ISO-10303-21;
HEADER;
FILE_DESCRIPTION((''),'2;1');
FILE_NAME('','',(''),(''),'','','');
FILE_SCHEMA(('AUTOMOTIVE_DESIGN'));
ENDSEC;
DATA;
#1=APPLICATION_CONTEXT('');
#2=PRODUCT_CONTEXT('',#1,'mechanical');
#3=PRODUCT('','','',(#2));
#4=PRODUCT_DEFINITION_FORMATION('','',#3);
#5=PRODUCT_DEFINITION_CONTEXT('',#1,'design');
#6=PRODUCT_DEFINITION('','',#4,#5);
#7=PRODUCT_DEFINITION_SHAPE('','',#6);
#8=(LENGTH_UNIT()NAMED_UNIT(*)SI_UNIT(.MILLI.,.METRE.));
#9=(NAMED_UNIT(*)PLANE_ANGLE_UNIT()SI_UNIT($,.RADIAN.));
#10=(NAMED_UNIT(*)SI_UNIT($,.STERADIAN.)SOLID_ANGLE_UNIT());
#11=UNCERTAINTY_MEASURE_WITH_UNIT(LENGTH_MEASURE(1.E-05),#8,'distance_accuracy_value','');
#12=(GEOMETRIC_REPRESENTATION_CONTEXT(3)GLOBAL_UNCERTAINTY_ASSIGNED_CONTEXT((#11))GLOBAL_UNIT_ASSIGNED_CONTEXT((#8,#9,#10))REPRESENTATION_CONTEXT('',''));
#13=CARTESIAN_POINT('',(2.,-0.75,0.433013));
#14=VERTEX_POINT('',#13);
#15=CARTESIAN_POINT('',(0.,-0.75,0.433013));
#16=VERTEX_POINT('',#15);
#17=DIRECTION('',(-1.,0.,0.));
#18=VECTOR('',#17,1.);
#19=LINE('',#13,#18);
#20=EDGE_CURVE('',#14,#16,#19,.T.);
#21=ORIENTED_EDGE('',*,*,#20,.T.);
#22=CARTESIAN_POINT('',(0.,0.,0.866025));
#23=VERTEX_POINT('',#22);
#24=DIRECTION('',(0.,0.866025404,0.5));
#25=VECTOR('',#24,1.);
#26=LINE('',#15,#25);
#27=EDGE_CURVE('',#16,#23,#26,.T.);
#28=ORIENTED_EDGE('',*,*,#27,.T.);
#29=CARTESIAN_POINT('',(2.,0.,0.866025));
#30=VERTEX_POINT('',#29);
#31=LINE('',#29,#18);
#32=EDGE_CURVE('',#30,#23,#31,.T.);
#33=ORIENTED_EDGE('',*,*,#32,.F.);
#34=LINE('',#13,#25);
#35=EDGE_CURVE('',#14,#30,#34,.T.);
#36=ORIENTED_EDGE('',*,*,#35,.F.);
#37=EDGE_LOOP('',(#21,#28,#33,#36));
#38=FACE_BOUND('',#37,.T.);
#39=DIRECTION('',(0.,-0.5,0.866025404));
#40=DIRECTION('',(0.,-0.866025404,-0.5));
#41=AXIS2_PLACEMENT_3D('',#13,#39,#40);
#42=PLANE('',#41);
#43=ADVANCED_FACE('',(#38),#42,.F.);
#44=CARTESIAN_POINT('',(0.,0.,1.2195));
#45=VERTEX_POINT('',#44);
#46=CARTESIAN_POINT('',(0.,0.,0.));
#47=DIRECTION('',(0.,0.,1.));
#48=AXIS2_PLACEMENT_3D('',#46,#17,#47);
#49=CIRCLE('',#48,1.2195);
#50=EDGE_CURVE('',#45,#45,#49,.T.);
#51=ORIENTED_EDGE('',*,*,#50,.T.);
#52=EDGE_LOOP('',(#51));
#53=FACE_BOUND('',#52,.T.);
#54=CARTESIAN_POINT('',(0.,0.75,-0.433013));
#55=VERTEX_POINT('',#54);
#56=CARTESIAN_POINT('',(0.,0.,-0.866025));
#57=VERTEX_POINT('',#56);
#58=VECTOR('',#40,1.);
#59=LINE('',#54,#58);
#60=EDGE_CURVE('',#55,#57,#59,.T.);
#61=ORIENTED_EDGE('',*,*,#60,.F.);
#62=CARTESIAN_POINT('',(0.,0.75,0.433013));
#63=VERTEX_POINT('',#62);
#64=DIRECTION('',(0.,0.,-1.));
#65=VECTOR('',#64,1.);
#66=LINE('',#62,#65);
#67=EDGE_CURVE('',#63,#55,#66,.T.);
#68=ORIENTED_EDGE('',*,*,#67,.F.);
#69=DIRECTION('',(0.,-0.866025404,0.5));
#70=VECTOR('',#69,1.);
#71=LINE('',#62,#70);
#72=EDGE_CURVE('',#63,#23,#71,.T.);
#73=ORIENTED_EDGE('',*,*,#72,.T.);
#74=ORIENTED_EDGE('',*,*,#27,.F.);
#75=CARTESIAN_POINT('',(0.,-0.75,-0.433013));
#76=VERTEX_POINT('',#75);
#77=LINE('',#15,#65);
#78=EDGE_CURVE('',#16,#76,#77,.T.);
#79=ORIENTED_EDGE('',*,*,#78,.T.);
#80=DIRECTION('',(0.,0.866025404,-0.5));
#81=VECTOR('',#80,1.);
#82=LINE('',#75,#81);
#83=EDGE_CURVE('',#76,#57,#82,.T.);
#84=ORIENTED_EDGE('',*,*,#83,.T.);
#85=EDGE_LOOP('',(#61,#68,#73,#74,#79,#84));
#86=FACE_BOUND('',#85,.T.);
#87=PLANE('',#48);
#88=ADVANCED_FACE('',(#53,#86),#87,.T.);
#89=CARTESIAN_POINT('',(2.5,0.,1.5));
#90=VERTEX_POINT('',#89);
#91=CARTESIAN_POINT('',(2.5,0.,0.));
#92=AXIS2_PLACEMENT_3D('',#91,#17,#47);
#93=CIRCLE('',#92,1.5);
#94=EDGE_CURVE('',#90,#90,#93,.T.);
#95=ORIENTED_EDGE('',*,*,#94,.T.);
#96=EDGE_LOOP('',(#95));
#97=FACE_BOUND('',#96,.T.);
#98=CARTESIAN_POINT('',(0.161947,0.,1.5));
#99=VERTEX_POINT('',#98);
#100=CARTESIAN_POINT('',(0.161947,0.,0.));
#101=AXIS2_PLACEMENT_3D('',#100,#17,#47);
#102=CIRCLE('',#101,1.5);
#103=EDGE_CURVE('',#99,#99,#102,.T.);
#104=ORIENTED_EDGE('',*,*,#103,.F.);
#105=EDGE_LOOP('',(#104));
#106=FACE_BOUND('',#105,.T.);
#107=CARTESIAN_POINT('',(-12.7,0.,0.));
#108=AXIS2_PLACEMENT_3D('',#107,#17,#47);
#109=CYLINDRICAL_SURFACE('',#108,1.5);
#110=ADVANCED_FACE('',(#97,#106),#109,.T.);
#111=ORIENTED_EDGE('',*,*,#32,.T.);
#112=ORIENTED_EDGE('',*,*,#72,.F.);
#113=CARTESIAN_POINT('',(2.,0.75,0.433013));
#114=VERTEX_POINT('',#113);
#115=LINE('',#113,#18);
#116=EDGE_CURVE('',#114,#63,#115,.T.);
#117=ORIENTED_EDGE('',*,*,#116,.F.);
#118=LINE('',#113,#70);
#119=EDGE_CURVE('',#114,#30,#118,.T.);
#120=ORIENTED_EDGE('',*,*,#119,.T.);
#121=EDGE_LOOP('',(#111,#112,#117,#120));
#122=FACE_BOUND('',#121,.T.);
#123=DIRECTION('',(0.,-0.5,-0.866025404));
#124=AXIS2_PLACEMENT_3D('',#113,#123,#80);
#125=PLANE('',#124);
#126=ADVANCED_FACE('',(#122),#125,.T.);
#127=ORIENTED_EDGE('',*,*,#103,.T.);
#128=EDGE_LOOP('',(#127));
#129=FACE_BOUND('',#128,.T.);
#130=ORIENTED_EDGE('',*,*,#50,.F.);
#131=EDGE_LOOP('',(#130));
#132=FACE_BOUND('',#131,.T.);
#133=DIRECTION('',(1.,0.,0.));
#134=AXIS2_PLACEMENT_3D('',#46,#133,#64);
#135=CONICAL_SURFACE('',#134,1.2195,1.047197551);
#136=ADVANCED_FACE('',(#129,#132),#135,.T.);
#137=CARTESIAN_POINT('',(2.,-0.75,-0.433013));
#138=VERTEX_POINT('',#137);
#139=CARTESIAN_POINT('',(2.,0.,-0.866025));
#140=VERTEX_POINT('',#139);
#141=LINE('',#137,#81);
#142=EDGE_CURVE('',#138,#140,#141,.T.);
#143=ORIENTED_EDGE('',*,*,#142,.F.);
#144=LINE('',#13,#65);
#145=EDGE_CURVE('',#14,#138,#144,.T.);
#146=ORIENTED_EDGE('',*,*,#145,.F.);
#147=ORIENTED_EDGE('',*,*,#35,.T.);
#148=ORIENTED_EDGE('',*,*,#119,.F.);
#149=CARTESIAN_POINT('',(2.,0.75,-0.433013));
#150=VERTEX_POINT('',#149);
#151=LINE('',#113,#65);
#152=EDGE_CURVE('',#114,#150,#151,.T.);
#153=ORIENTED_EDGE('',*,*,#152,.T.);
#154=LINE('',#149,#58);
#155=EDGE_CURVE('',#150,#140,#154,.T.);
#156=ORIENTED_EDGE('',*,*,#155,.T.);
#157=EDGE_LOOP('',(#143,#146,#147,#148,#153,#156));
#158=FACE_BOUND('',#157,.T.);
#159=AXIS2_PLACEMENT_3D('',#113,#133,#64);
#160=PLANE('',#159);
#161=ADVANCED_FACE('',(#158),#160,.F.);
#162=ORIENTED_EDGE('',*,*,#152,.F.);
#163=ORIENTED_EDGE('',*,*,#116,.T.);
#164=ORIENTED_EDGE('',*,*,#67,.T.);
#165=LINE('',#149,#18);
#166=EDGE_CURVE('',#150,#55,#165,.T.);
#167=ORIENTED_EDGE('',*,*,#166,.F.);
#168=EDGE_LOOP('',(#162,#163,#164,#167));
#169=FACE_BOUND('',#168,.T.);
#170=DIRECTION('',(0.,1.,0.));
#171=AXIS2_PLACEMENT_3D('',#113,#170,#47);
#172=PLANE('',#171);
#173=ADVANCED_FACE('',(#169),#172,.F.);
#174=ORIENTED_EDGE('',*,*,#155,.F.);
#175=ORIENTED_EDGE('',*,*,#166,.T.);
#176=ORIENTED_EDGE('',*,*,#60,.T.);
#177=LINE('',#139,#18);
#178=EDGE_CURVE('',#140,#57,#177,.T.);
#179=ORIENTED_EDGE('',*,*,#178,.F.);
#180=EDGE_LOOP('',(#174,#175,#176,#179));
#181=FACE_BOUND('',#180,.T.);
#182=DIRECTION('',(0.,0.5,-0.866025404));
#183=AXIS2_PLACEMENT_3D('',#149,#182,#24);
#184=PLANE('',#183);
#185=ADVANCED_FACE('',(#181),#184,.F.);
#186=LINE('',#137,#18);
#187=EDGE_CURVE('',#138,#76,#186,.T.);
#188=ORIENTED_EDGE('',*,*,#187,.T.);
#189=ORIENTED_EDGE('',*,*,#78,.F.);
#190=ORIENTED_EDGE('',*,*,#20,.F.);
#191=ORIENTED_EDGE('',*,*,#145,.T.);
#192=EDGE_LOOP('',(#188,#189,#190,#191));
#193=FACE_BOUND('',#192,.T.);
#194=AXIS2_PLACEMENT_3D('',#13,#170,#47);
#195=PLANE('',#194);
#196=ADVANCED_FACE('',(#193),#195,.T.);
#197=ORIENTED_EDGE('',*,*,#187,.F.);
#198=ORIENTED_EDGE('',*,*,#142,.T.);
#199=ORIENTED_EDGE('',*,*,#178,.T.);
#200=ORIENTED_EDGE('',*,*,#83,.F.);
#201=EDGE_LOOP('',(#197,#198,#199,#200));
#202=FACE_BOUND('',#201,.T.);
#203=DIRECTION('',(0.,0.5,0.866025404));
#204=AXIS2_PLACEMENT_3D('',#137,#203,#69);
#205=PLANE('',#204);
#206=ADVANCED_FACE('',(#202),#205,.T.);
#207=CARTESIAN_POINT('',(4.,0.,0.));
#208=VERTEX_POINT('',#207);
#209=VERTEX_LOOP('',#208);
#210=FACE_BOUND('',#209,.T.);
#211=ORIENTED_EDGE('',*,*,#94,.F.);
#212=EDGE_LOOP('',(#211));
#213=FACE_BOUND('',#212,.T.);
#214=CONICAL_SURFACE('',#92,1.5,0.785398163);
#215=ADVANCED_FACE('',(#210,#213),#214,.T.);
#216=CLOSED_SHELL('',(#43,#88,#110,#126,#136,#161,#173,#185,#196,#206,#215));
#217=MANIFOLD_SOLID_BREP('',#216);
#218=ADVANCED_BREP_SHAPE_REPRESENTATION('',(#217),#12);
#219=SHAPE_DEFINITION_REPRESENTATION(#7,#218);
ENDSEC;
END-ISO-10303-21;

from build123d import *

# Parameters (mm, degrees)
HEX_2_DEPTH = 2


with BuildPart() as part:
    # BodySke → BaseBody (revolve)
    with BuildSketch(Plane.XY):
        Polygon((0, 0), (0, 1.2195), (0.161946751, 1.5), (2.5, 1.5), (4, 0), align=None)
    revolve(axis=Axis((-12.7, 0, 0), (1, 0, 0)))

    # Sketch2 → Hex 2 (cut)
    with BuildSketch(Plane.ZY):
        Polygon((0.433012702, 0.75), (-0.433012702, 0.75), (-0.866025404, 0), (-0.433012702, -0.75), (0.433012702, -0.75), (0.866025404, 0), align=None)
    extrude(amount=-HEX_2_DEPTH, mode=Mode.SUBTRACT)


solid = part.part
